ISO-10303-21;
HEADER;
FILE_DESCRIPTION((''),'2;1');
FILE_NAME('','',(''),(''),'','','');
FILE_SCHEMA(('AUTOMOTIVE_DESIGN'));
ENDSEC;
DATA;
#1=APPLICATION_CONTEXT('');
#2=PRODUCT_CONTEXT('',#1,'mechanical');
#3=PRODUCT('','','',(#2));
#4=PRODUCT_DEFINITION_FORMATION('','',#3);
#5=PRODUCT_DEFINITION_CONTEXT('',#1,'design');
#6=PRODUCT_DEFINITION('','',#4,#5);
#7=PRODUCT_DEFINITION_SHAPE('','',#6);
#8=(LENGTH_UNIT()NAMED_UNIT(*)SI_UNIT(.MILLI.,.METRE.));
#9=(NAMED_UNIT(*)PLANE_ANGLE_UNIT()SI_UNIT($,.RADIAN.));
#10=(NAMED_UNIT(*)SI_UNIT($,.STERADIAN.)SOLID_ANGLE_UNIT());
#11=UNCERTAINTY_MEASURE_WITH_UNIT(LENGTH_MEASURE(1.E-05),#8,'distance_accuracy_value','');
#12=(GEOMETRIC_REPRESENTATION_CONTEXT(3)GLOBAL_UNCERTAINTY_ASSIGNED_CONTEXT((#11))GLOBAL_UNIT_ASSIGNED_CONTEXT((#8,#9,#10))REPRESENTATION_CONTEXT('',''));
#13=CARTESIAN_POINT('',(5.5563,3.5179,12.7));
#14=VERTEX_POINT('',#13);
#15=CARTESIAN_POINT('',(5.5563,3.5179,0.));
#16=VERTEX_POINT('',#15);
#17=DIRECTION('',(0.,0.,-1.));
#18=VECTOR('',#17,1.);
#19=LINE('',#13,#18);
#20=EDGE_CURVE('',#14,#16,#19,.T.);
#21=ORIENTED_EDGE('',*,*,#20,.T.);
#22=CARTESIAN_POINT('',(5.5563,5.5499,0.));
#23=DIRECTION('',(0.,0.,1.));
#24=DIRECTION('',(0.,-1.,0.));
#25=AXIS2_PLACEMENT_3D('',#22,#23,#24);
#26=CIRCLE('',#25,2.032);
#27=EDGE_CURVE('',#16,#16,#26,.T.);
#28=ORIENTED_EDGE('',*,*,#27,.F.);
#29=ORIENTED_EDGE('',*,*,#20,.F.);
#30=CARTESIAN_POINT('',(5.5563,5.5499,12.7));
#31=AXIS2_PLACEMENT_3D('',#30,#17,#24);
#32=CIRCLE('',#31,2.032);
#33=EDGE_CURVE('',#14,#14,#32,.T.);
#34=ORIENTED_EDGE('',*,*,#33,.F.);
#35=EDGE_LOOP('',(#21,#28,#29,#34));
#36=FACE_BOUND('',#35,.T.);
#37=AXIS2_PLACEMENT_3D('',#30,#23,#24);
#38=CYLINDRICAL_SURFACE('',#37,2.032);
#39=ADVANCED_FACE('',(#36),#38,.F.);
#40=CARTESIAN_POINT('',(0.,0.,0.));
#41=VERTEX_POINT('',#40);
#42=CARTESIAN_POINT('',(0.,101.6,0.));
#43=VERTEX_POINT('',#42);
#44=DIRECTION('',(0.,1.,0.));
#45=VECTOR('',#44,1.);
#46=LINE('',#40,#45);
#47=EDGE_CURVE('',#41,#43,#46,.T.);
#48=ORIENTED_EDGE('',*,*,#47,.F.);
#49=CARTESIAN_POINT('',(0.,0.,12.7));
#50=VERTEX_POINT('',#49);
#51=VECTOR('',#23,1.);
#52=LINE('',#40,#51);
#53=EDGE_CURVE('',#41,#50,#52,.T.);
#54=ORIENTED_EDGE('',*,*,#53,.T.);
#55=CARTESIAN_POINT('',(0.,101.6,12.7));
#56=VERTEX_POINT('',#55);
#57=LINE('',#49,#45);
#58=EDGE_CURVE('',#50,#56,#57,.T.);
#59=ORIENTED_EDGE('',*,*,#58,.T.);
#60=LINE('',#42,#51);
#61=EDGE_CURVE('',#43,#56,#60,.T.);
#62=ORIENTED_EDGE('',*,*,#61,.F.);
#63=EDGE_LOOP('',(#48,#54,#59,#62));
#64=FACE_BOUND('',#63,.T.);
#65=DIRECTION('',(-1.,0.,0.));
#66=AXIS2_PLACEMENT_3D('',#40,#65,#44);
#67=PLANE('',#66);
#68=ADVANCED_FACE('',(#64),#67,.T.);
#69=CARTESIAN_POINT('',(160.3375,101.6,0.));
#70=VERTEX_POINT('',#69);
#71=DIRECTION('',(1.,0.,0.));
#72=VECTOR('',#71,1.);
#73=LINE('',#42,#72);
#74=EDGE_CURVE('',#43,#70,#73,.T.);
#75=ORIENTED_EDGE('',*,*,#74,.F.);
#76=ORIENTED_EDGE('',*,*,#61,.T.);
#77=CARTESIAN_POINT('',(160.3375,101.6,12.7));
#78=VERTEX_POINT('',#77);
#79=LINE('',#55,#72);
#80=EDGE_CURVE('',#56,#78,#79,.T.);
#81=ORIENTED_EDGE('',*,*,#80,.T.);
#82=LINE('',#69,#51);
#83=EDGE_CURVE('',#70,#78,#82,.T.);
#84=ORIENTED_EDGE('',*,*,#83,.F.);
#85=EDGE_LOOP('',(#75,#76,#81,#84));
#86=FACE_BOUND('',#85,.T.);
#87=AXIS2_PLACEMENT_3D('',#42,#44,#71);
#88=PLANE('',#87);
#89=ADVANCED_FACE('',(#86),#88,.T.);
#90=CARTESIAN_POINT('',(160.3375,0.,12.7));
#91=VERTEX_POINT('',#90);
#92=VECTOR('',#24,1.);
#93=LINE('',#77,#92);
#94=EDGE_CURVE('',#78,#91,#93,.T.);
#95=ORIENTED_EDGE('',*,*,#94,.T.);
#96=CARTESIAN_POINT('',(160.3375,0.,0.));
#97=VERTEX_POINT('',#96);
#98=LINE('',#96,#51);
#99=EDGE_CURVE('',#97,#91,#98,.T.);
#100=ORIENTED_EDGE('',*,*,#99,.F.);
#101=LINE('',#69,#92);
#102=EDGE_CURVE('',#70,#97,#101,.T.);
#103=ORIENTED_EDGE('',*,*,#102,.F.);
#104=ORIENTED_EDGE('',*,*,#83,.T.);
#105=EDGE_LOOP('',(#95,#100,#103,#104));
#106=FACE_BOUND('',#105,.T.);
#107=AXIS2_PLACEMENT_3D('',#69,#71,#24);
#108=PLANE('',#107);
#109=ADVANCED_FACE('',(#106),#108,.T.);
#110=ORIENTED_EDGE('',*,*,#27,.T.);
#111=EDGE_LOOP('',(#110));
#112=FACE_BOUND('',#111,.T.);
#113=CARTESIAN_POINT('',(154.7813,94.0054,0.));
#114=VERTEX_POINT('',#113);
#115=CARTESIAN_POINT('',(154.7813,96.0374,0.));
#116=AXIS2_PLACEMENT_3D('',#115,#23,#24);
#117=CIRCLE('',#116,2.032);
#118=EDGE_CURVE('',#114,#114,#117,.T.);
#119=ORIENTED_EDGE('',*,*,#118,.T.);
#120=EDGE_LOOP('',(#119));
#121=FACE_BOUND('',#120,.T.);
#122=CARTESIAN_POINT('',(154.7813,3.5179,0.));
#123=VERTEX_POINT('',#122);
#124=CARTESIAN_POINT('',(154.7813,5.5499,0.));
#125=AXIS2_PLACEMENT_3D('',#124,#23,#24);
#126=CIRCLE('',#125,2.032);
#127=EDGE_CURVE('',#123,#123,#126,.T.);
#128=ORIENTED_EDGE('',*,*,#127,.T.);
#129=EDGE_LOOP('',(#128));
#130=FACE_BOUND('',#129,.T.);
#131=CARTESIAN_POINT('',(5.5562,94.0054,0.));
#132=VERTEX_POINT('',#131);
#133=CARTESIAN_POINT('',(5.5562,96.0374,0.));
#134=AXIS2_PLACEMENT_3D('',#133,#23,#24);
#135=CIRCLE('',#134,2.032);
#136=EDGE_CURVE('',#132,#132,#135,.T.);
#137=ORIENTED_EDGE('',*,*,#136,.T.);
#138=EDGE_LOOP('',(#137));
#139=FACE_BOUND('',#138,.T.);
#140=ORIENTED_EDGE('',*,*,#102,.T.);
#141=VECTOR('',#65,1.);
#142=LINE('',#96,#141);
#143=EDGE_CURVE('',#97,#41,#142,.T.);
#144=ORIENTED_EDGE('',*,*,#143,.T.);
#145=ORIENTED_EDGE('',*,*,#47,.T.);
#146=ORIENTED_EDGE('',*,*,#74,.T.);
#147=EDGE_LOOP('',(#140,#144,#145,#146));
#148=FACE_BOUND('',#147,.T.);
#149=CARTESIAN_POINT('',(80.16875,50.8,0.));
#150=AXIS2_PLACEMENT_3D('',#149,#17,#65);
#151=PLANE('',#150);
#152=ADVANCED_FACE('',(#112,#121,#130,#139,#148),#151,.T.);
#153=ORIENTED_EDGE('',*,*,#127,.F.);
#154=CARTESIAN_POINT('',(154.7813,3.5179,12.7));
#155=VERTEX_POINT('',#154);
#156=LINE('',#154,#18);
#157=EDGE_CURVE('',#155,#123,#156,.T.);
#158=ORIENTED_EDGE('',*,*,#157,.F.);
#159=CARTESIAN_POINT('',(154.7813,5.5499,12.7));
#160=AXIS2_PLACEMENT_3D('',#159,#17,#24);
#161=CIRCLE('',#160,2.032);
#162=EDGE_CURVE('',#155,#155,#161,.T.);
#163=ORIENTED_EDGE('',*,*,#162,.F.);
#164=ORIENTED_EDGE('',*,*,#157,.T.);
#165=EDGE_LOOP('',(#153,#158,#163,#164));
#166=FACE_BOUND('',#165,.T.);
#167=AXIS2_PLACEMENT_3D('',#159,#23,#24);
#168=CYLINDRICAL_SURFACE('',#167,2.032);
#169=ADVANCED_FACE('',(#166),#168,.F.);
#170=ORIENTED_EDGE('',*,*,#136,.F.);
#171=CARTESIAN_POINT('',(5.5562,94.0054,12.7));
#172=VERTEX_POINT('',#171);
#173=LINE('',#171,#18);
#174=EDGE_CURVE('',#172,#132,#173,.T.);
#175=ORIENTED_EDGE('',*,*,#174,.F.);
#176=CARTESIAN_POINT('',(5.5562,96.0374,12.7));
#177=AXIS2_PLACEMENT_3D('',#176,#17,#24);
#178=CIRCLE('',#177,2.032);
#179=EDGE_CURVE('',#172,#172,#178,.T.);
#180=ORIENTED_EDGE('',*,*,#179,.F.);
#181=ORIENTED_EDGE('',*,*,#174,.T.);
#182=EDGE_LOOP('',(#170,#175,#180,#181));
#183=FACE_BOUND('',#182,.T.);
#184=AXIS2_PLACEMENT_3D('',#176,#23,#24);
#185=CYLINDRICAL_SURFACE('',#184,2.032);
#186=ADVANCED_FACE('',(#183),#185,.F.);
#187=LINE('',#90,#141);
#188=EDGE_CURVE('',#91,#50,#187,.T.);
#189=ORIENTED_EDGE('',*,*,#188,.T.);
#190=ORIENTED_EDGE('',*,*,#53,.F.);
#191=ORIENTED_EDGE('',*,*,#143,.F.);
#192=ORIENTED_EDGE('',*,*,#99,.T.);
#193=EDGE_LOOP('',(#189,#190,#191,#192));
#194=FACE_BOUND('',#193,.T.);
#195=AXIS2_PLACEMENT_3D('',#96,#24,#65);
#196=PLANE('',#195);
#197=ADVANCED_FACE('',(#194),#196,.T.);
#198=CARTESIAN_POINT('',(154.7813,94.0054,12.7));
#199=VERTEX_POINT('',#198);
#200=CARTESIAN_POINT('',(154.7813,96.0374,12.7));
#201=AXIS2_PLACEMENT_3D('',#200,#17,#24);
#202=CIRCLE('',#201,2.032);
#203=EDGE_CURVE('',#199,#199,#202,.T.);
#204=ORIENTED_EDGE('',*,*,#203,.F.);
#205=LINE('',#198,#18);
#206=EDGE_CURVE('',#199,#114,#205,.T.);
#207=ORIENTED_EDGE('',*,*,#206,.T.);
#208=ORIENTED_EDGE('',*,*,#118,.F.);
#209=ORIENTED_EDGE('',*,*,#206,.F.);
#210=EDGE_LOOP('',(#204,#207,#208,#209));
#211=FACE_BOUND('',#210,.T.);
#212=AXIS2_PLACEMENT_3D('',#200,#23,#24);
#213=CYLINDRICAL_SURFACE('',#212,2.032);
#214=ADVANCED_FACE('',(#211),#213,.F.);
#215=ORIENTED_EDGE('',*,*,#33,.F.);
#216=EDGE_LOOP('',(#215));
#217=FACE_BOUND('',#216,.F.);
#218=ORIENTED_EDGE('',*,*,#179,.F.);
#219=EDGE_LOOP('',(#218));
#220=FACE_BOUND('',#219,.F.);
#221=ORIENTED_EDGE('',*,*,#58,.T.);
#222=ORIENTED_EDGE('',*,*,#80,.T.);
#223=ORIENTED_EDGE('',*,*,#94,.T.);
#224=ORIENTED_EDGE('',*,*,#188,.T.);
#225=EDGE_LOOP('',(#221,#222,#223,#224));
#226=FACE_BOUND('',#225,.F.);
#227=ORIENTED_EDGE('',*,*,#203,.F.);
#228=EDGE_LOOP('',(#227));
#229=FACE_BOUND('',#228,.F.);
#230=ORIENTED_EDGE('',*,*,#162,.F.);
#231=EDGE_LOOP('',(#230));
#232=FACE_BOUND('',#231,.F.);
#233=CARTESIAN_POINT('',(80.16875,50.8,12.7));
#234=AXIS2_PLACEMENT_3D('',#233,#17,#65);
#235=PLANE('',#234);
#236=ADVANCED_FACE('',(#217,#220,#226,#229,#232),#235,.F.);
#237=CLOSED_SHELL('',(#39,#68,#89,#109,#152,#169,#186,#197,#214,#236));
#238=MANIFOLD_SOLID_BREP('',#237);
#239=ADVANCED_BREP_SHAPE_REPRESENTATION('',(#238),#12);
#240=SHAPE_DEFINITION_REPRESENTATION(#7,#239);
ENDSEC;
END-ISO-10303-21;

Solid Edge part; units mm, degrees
sketch "Sketch1" plane through (0, 0, 0) normal (0, 0, 1) x (1, 0, 0)
  line L0 (0, 0) -> (0, 101.6)
  line L1 (0, 101.6) -> (160.3375, 101.6)
  line L2 (160.3375, 101.6) -> (160.3375, 0)
  line L3 (160.3375, 0) -> (0, 0)
  dimension "D1" = 101.6
  dimension "D2" = 160.3375
extrude "Protrusion1" add sketch "Sketch1" along normal blind 12.7
hole "Hole_1" at (5.5563, 5.5499, 12.7) direction (0, 0, -1) diameter 4.064 end through all
hole "Hole1" at (154.7813, 5.5499, 12.7) direction (0, 0, -1) diameter 4.064 end through all
hole "Hole2" at (154.7813, 96.0374, 12.7) direction (0, 0, -1) diameter 4.064 end through all
hole "Hole3" at (5.5562, 96.0374, 12.7) direction (0, 0, -1) diameter 4.064 end through all
